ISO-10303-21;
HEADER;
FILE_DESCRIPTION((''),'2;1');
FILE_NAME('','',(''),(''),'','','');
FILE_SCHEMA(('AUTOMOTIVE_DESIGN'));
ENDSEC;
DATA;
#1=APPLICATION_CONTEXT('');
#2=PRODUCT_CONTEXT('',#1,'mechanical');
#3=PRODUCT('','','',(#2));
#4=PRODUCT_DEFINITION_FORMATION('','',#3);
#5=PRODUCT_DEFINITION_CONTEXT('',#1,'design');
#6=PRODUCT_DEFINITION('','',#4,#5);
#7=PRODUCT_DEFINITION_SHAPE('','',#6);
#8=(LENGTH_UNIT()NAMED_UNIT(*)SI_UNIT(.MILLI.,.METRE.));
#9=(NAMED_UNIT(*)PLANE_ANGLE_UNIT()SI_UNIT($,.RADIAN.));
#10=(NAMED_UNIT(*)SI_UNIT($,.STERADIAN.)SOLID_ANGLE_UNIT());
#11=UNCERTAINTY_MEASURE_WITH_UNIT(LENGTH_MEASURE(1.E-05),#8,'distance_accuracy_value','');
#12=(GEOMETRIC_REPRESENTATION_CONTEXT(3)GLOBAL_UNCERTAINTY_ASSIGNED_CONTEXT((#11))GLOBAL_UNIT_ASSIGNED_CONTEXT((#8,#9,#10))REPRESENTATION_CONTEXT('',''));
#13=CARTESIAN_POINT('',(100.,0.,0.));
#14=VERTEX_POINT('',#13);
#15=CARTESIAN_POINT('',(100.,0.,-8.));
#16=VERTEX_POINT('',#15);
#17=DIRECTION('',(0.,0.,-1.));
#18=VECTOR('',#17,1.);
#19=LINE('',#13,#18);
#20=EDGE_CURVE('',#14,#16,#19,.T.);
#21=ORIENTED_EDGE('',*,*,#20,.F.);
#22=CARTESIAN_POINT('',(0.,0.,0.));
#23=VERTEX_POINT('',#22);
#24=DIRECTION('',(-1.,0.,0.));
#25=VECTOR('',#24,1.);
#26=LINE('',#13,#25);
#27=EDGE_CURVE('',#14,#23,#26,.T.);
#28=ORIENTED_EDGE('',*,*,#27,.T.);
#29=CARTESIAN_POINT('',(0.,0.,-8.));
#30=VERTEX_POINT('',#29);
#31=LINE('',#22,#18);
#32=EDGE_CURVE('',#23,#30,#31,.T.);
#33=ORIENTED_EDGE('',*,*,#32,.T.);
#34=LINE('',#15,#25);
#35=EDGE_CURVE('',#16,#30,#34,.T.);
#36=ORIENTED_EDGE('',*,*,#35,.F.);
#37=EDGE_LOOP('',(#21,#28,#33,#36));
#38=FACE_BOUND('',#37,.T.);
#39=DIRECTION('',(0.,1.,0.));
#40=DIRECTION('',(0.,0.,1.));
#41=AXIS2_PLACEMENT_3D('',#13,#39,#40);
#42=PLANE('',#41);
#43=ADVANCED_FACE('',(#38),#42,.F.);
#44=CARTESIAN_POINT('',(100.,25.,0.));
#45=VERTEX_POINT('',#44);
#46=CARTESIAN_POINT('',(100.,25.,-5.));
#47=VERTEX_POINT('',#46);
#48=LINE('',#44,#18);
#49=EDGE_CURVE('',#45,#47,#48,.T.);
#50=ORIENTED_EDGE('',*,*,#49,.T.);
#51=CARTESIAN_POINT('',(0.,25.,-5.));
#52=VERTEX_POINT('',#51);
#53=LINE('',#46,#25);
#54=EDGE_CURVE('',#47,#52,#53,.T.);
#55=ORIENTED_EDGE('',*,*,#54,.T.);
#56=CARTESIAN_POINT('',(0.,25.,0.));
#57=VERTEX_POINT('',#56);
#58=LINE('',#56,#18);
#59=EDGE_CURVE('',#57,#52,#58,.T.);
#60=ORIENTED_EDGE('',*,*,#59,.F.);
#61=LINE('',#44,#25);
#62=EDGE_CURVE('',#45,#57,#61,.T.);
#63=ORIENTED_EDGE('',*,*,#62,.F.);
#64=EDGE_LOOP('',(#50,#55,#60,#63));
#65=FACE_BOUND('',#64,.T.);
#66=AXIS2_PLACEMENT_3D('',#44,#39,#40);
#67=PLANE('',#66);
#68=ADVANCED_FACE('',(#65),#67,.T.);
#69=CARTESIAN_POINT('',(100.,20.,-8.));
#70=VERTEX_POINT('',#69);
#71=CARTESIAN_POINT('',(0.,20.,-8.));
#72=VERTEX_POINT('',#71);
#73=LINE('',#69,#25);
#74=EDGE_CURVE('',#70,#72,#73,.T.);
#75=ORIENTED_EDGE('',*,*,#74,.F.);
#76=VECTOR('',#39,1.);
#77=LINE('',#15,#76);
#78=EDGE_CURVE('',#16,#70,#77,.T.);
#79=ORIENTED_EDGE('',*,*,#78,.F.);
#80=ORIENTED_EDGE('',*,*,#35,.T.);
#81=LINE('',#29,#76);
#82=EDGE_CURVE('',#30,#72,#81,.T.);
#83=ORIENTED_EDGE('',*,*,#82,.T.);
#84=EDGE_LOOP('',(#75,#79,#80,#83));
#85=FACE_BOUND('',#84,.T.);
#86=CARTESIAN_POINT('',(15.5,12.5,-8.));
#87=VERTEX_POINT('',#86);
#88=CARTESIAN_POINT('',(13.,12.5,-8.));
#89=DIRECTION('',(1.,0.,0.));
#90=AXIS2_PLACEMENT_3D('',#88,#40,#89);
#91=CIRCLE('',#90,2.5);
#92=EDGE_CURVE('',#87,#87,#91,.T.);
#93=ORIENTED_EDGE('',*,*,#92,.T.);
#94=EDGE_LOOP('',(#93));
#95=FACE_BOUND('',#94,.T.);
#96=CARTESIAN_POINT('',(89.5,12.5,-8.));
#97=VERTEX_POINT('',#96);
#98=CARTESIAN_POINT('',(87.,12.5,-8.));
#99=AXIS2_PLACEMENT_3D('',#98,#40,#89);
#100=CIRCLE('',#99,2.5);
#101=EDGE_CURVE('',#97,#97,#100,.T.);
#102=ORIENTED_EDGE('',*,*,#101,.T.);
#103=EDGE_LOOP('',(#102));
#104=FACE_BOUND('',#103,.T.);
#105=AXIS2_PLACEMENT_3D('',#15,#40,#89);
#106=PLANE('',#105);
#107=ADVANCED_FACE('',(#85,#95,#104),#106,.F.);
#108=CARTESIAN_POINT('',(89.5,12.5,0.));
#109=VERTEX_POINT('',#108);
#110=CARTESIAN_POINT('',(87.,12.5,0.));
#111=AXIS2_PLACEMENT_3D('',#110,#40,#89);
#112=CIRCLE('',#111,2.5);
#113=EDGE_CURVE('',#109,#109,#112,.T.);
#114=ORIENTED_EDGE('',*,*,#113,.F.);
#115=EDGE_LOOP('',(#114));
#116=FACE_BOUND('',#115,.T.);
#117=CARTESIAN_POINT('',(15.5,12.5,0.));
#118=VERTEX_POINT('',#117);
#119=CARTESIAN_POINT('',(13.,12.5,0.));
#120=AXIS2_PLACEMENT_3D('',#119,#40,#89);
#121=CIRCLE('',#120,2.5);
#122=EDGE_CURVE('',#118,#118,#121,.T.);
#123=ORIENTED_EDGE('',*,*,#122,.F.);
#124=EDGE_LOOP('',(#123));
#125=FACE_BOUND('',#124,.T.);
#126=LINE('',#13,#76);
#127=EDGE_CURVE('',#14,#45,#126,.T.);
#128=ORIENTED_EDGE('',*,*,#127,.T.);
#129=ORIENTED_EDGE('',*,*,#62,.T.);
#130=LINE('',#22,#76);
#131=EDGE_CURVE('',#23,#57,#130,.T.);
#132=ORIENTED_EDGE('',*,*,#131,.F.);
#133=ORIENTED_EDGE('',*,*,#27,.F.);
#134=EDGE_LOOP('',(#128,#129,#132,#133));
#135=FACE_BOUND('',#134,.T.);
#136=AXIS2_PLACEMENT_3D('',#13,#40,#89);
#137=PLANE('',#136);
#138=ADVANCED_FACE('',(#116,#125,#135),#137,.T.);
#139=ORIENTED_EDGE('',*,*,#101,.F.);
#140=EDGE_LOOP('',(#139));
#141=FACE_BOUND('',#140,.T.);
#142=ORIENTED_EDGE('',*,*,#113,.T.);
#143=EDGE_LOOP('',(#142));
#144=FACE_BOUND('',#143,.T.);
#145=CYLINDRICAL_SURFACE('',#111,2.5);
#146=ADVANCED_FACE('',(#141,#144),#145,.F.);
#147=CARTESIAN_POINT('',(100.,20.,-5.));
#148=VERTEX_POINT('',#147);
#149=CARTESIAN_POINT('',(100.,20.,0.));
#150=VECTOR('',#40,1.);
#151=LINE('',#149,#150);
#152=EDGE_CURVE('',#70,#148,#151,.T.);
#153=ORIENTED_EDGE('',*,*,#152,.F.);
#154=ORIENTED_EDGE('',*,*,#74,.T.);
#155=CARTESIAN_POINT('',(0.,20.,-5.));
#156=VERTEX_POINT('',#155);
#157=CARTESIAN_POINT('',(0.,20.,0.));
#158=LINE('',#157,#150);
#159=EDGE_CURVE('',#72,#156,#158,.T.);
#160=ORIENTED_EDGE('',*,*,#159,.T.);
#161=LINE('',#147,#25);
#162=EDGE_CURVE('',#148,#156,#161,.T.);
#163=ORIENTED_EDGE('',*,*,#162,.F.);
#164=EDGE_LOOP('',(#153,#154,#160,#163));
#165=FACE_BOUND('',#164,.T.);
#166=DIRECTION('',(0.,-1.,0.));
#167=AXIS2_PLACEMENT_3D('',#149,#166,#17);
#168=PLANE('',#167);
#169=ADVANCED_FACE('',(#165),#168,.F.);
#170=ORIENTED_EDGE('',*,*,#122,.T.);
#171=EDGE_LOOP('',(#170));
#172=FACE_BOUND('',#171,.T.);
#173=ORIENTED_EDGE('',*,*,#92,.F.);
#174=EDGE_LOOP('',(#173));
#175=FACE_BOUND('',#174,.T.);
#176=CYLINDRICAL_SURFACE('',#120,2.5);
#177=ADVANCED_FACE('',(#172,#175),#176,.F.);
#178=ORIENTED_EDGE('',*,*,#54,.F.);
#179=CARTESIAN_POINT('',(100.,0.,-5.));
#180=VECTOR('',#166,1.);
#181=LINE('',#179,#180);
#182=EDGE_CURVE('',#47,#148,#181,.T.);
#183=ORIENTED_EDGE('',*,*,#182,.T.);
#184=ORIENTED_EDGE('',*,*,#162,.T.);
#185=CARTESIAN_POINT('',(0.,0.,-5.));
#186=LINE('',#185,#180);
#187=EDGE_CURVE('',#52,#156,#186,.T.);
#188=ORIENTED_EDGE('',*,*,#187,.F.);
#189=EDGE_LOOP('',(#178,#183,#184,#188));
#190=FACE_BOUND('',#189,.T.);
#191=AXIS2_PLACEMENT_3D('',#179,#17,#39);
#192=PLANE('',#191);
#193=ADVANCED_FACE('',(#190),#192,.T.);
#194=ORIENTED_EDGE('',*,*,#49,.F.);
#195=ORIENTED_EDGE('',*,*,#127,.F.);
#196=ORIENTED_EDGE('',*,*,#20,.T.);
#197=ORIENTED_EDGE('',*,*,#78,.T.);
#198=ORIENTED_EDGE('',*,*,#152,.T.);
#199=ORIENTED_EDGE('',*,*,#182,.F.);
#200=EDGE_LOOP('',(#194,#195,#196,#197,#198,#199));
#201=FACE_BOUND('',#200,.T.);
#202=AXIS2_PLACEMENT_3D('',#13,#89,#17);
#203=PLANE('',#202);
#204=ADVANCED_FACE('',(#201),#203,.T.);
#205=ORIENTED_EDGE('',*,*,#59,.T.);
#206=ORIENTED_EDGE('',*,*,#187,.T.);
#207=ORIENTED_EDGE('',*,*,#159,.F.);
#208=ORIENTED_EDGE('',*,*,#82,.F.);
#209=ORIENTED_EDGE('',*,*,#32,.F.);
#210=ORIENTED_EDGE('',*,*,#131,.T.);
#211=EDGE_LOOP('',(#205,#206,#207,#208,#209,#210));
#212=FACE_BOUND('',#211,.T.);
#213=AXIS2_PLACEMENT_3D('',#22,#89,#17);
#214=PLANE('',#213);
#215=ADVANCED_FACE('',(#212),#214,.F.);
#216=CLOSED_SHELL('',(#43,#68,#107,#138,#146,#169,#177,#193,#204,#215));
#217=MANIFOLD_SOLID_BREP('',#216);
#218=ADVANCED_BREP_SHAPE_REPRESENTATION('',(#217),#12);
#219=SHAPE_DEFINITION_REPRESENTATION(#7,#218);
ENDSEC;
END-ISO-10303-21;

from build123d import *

# Parameters (mm, degrees)
BOSS_EXTRUDE1_DEPTH         = 100
TAP_DRILL_FOR_M6X1_0_TAP1_D = 5


with BuildPart() as part:
    # Sketch1 → Boss-Extrude1 (new body)
    with BuildSketch(Plane(origin=(0, 0, 0), x_dir=(0, 0, -1), z_dir=(1, 0, 0))):
        Polygon((0, 25), (0, 0), (8, 0), (8, 20), (5, 20), (5, 25), align=None)
    extrude(amount=BOSS_EXTRUDE1_DEPTH)

    # Tap Drill for M6x1.0 Tap1 (through all)
    with Locations(Plane(origin=(87, 12.5, 0), x_dir=(1, 0, 0), z_dir=(0, 0, 1))):
        with Locations((0, 0), (-74, 0)):
            Hole(TAP_DRILL_FOR_M6X1_0_TAP1_D / 2)


solid = part.part
